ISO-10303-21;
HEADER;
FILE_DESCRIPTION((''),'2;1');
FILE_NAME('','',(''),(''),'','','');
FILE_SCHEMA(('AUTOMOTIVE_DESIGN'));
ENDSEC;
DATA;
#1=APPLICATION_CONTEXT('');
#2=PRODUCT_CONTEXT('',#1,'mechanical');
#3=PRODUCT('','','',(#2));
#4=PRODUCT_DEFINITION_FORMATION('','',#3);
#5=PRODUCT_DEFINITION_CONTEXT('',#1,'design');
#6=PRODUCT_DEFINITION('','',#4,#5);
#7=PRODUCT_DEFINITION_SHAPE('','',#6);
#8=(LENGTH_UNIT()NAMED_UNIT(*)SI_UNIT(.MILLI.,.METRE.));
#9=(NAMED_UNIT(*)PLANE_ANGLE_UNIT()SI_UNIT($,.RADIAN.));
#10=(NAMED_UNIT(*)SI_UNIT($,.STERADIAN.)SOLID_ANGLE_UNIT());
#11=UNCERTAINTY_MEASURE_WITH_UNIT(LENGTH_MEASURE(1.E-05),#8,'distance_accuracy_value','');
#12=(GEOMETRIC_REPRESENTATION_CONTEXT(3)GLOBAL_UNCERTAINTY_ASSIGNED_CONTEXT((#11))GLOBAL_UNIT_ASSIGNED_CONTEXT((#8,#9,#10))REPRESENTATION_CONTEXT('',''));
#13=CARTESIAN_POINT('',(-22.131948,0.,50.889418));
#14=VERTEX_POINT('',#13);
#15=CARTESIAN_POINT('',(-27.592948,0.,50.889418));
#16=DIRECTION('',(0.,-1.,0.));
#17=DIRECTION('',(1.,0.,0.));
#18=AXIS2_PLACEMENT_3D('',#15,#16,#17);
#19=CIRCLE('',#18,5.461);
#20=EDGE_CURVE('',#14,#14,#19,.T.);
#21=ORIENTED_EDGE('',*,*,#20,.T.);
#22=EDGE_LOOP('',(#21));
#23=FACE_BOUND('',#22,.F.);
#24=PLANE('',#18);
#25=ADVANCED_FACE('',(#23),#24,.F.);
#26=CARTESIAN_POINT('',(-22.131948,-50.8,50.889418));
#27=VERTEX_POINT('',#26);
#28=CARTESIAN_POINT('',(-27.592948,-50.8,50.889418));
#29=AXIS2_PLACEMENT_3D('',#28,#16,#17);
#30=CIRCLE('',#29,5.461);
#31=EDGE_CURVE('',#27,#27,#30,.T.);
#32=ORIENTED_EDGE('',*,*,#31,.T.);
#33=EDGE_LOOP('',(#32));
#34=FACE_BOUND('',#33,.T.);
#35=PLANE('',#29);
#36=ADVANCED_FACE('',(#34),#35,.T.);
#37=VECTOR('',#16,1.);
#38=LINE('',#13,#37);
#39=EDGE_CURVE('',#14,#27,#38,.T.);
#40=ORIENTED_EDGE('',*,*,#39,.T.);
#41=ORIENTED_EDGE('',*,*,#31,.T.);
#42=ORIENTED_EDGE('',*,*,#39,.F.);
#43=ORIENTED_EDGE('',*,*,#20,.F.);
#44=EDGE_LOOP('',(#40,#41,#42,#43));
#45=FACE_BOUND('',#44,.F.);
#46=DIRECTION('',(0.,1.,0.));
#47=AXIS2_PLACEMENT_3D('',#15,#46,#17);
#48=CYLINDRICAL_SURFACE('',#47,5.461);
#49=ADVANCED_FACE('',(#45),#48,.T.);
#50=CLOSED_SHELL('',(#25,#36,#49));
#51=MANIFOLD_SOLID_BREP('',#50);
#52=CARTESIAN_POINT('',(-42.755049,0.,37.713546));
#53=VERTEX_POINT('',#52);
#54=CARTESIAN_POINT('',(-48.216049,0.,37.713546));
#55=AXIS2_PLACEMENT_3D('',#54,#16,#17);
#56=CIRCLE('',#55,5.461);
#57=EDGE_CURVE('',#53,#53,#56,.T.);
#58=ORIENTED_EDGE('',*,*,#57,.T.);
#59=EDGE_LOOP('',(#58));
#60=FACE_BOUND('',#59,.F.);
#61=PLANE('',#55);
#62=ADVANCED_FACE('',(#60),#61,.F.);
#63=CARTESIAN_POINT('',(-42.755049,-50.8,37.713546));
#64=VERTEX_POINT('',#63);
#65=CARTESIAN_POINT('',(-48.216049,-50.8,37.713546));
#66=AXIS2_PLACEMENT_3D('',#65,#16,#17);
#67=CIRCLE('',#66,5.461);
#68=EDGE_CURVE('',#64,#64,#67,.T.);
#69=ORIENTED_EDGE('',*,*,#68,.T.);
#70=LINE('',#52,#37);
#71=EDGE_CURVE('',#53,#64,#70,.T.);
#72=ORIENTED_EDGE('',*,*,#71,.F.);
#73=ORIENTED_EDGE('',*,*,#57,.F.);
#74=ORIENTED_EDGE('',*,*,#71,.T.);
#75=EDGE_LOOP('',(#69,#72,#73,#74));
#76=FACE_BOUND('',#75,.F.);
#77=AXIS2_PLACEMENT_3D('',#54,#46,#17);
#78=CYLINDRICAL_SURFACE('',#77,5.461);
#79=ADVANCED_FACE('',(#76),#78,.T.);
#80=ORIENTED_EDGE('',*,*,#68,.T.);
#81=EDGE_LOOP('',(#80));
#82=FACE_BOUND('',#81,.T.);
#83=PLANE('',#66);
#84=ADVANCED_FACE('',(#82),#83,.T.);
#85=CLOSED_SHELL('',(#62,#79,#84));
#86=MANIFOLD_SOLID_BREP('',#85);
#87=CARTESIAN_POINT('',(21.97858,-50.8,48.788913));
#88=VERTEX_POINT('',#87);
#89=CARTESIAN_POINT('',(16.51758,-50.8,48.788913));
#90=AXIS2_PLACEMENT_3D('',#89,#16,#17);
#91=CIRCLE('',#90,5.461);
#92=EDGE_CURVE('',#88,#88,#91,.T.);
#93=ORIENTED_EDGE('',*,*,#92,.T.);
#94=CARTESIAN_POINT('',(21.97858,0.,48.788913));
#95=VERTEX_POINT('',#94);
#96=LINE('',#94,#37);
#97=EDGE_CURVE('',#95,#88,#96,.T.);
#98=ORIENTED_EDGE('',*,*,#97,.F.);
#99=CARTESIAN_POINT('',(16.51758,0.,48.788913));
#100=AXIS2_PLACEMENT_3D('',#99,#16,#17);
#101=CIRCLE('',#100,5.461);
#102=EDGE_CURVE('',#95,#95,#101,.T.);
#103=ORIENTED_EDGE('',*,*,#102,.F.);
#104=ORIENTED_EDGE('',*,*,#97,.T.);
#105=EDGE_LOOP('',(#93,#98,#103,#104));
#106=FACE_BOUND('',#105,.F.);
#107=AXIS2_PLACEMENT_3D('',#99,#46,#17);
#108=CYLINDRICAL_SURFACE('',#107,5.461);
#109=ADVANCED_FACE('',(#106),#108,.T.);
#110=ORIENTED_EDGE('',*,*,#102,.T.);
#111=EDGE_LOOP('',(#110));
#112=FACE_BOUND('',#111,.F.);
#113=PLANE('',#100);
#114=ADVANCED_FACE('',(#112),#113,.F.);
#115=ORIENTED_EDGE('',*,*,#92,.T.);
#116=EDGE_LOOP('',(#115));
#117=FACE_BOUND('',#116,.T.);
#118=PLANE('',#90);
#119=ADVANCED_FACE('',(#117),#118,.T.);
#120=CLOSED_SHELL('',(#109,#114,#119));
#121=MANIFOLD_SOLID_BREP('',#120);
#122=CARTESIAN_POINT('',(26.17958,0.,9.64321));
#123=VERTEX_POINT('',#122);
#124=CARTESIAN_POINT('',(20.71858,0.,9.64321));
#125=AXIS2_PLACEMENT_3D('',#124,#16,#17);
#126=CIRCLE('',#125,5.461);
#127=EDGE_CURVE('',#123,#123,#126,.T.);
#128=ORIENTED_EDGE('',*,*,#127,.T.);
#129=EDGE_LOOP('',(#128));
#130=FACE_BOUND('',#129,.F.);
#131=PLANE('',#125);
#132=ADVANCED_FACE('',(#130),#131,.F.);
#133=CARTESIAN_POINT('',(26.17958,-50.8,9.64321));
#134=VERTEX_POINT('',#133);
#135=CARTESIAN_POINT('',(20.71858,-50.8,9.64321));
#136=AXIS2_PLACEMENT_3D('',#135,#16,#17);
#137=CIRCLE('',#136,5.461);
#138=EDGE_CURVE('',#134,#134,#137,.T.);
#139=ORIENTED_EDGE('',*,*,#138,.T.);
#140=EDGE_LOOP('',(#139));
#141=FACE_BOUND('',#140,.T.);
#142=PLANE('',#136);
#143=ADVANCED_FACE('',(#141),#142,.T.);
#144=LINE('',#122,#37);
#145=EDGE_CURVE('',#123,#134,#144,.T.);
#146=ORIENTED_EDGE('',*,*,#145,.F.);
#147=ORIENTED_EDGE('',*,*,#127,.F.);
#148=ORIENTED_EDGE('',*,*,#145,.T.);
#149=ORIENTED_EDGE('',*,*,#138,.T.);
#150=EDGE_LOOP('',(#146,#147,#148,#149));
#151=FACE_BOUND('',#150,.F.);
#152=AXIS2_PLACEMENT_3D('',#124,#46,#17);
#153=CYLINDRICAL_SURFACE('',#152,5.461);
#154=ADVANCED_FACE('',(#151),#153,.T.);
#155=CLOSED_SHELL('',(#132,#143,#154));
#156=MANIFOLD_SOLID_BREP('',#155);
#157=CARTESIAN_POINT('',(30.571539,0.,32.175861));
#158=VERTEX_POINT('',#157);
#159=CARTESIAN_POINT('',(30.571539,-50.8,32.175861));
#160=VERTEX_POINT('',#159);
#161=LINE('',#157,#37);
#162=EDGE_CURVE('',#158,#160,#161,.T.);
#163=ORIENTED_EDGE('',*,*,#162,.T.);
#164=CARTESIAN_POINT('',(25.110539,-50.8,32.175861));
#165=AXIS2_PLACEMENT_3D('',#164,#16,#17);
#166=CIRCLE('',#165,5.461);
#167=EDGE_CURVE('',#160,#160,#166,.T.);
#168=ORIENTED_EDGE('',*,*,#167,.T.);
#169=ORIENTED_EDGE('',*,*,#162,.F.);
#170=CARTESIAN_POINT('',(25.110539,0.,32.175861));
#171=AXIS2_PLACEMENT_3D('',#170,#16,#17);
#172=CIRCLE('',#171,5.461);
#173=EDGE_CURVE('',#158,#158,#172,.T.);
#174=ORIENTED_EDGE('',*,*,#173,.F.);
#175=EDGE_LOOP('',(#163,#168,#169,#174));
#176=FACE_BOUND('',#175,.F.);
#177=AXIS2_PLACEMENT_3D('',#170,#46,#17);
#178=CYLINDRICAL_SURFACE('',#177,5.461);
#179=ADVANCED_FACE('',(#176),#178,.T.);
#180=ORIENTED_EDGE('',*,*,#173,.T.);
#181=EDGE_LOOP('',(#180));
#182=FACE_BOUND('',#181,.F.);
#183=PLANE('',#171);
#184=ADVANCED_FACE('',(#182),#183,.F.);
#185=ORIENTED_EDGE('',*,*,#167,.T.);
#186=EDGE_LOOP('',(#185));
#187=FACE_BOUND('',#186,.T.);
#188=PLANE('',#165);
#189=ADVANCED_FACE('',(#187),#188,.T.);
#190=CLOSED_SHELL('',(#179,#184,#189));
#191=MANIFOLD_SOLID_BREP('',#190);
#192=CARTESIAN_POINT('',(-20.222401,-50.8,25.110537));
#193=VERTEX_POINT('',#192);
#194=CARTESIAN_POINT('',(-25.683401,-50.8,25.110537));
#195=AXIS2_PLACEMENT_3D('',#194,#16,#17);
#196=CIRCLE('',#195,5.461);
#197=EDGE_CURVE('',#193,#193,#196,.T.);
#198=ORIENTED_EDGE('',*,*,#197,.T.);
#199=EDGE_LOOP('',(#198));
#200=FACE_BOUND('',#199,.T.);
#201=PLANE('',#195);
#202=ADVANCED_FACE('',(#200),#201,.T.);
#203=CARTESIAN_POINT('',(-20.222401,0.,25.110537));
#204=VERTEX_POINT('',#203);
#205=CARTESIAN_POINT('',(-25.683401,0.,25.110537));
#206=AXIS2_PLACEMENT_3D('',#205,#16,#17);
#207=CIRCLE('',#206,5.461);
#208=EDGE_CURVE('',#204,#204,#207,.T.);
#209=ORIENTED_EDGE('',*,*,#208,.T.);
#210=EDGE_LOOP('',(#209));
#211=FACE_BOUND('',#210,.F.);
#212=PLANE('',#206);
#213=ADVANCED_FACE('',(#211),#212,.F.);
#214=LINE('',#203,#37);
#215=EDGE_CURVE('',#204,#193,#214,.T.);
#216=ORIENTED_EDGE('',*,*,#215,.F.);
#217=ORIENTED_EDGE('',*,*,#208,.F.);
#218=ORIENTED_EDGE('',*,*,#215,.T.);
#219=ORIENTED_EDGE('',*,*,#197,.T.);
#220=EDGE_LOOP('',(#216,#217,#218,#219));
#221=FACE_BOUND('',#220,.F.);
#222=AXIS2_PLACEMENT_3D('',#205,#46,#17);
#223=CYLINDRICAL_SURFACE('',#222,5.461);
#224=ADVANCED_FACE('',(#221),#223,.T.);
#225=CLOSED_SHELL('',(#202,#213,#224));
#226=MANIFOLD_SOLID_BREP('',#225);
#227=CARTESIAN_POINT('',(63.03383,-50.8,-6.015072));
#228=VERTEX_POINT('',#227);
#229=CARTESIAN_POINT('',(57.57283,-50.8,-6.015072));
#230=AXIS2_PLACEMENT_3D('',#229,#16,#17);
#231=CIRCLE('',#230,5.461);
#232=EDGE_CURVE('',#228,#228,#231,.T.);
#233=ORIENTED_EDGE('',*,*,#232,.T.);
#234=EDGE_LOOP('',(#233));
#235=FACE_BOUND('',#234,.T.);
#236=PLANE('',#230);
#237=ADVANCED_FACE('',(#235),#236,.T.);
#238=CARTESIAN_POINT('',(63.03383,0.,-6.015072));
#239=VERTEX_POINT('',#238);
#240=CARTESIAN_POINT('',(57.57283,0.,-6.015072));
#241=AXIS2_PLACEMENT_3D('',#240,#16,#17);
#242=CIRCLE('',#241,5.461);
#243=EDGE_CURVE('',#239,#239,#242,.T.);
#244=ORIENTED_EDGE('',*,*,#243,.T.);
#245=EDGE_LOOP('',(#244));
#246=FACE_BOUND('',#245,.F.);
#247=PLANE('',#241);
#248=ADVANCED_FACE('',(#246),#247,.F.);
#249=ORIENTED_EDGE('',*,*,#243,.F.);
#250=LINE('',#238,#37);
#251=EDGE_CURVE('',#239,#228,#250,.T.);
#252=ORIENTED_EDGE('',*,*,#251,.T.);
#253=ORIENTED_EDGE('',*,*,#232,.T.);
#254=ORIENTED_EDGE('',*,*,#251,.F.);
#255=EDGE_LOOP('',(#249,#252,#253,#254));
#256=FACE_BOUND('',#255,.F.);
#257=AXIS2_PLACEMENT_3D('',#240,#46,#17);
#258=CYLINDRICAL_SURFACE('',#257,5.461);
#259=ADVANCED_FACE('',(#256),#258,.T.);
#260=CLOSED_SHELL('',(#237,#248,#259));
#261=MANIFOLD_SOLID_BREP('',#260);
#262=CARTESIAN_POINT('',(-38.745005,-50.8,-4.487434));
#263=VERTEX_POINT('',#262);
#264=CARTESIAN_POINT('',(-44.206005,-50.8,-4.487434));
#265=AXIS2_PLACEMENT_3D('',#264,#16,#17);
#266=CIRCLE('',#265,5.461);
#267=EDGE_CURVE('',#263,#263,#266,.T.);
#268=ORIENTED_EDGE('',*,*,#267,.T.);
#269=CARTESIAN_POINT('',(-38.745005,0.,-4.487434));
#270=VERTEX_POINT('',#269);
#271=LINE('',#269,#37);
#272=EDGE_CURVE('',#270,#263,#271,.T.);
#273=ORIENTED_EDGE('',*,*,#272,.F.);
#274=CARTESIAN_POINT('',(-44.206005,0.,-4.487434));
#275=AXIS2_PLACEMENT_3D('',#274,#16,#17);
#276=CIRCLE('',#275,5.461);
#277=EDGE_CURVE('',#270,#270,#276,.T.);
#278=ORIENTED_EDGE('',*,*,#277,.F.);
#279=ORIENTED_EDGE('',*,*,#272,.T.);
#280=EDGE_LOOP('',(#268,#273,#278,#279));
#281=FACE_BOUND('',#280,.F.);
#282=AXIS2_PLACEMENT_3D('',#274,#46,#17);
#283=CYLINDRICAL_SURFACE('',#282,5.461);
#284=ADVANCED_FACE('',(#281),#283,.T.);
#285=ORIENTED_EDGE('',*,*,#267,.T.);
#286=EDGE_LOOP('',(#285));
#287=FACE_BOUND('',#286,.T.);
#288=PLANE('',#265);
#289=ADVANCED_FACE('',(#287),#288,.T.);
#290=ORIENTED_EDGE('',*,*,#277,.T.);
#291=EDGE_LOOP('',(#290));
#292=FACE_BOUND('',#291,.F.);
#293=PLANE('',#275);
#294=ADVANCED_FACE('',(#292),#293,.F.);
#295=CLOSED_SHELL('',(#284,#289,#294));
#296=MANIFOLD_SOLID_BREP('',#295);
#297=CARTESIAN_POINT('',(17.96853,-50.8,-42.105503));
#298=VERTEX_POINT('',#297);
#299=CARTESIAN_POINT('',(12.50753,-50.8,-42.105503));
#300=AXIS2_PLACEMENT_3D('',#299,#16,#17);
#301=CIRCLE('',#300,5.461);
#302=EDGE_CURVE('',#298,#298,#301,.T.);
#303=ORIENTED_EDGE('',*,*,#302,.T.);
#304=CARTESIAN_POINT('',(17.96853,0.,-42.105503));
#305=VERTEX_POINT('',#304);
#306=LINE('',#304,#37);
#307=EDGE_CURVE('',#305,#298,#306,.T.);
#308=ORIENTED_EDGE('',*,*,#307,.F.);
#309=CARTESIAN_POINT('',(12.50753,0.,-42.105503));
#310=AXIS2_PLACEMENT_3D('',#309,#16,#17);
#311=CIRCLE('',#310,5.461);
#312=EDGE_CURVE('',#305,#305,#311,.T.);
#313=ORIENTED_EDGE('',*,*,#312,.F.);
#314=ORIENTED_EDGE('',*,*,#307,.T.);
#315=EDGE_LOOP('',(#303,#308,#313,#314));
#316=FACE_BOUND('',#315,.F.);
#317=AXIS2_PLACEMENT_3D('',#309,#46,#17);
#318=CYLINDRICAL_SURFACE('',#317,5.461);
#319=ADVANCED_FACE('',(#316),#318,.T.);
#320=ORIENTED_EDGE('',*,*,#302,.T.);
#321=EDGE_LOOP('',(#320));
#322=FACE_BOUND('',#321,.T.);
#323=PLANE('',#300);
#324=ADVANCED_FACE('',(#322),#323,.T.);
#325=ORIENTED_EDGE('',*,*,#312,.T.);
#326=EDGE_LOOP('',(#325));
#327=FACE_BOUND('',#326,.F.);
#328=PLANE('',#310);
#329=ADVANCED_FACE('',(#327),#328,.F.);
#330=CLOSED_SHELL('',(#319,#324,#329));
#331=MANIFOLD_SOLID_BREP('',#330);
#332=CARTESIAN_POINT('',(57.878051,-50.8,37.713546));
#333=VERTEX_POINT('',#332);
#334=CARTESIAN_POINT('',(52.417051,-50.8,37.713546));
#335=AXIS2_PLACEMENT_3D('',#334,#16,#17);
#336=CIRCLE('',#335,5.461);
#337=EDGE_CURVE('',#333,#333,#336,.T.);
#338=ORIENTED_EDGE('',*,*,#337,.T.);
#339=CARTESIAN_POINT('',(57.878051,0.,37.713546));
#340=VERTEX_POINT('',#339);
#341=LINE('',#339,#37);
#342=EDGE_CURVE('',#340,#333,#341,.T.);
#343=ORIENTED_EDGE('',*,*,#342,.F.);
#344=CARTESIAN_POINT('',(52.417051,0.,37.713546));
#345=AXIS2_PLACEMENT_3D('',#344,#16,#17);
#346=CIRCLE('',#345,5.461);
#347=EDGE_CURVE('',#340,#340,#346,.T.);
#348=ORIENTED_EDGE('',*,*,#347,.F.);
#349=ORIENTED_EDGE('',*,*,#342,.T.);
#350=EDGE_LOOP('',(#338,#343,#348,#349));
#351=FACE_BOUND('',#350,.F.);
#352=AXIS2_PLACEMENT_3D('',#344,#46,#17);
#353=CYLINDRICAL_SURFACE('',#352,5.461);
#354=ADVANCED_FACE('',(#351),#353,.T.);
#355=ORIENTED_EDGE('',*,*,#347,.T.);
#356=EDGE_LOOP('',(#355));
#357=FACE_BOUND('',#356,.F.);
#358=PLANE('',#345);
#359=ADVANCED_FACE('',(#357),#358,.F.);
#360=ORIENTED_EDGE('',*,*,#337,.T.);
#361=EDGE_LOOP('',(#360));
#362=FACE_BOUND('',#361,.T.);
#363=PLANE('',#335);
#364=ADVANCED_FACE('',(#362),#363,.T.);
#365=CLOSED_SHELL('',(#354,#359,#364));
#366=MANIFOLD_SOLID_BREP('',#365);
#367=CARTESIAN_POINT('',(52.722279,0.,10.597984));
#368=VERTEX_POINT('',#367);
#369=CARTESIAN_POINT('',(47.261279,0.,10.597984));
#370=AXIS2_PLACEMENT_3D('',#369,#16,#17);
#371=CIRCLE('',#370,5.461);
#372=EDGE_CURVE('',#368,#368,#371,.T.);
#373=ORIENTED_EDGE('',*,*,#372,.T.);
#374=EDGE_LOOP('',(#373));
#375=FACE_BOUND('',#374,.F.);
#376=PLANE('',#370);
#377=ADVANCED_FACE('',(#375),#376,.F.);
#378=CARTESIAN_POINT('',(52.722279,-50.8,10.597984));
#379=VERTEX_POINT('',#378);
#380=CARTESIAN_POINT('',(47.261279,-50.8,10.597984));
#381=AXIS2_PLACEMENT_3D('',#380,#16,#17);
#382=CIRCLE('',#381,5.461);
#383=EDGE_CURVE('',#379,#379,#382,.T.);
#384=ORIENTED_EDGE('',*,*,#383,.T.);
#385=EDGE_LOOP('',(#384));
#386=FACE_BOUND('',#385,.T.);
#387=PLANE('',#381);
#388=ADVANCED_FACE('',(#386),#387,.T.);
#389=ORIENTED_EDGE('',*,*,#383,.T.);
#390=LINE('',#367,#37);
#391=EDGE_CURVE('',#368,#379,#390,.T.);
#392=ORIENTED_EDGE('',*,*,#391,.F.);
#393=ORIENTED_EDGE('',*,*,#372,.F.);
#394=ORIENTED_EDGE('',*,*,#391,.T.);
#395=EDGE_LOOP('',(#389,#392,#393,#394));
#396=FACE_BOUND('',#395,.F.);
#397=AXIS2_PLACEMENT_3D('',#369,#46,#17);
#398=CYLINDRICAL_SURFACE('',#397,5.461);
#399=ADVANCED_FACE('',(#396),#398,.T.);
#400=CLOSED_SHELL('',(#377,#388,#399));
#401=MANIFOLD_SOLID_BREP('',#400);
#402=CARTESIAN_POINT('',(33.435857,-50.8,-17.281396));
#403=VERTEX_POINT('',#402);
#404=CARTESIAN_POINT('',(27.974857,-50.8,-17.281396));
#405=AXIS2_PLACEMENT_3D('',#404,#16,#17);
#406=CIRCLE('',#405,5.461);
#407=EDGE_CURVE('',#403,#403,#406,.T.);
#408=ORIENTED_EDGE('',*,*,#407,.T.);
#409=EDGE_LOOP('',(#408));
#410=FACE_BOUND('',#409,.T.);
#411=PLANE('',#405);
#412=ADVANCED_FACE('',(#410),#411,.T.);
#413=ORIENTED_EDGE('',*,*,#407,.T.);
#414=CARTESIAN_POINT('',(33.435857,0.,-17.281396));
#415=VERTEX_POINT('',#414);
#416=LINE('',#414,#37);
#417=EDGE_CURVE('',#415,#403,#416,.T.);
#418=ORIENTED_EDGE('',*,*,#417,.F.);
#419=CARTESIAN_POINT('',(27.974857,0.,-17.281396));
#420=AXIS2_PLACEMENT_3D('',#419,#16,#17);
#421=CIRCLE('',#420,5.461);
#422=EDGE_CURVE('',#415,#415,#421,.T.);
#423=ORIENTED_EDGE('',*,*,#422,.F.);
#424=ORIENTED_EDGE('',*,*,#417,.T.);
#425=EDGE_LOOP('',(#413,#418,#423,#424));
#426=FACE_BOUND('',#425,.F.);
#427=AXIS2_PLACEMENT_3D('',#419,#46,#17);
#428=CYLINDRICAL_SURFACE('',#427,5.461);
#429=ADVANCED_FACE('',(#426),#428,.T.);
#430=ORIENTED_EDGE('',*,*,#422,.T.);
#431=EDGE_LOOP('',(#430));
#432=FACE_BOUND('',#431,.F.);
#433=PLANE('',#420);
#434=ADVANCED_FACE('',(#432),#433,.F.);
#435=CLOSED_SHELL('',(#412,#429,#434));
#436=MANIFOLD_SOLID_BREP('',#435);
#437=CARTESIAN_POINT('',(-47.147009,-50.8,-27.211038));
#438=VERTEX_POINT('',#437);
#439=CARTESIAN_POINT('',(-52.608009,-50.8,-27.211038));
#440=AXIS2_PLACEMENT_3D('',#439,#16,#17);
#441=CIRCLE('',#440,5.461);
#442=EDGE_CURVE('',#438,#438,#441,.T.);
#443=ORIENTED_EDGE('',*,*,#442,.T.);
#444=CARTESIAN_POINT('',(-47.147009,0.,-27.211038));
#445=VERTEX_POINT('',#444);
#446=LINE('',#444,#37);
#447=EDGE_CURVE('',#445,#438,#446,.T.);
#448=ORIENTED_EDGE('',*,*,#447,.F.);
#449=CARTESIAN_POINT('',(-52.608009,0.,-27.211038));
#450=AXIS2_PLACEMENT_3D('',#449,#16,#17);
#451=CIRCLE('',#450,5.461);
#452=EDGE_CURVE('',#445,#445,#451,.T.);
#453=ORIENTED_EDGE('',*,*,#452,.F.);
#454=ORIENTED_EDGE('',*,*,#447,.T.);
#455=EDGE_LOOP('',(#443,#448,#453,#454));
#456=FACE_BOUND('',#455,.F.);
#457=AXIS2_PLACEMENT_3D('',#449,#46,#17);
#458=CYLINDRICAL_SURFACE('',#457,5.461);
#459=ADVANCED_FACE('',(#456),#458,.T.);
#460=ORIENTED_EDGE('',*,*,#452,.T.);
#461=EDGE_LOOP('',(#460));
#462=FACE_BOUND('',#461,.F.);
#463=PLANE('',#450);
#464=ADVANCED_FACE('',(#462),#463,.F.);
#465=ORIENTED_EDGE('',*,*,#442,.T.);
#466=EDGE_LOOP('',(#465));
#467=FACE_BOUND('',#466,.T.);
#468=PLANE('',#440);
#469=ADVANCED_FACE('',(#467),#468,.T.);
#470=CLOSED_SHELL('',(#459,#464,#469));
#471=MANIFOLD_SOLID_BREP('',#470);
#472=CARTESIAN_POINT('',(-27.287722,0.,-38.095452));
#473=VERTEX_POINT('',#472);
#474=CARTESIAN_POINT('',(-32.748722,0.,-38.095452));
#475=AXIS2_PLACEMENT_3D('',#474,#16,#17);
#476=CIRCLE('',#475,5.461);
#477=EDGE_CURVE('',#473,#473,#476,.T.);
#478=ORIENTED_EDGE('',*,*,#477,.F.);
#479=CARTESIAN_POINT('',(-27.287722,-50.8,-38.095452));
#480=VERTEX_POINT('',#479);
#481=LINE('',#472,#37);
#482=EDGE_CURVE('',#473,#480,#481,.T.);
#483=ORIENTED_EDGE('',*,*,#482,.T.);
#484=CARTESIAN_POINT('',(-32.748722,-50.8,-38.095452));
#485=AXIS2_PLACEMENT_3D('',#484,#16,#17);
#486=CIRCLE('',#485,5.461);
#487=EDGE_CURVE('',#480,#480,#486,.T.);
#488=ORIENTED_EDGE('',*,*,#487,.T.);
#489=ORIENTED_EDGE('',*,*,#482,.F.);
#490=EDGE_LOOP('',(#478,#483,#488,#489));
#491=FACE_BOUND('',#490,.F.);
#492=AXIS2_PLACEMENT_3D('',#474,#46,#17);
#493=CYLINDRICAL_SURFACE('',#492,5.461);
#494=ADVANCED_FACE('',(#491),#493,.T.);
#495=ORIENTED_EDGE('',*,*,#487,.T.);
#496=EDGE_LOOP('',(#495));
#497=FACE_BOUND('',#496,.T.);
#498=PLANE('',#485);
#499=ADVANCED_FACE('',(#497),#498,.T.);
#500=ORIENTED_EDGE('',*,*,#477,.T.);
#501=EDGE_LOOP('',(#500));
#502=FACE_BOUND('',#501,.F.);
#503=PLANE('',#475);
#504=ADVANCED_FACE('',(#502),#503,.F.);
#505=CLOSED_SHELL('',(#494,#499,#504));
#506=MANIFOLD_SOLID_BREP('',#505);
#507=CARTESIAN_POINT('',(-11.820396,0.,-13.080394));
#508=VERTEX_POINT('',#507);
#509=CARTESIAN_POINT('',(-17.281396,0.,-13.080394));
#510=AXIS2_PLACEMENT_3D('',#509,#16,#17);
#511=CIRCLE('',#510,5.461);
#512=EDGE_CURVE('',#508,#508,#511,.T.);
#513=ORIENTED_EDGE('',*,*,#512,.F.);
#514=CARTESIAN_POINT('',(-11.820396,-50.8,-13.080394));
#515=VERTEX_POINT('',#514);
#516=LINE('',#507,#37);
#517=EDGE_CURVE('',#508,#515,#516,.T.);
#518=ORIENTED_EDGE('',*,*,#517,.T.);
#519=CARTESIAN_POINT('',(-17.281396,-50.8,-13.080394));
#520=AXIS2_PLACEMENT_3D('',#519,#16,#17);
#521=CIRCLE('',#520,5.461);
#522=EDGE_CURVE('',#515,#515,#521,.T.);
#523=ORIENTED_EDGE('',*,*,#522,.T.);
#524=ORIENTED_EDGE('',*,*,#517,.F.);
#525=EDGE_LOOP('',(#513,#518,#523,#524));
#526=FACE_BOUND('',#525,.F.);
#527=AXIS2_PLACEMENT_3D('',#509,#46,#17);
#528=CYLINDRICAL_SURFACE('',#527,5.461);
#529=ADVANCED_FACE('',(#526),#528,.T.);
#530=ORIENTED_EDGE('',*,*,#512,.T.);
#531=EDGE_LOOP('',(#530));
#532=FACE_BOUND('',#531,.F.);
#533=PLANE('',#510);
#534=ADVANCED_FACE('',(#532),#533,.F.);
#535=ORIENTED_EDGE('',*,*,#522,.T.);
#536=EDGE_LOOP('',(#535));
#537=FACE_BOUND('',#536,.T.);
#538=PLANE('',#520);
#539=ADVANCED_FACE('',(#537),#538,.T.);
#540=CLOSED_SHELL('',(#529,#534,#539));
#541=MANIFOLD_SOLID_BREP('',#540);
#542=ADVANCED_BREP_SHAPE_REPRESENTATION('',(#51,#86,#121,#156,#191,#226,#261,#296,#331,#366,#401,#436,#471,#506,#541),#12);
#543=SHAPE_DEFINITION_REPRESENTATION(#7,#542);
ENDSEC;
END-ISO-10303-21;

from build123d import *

# Parameters (mm, degrees)
F0_R     = 5.461
F1_DEPTH = 50.8


with BuildPart() as f1:
    # F0 (on Front) → F1 (new body)
    with BuildSketch(Plane.XZ):
        with Locations((25.110539, 32.175861)):
            Circle(F0_R)
        with Locations((16.51758, 48.788913)):
            Circle(F0_R)
        with Locations((-27.592948, 50.889418)):
            Circle(F0_R)
        with Locations((-25.683401, 25.110537)):
            Circle(F0_R)
        with Locations((-48.216049, 37.713546)):
            Circle(F0_R)
        with Locations((-17.281396, -13.080394)):
            Circle(F0_R)
        with Locations((-44.206005, -4.487434)):
            Circle(F0_R)
        with Locations((-32.748722, -38.095452)):
            Circle(F0_R)
        with Locations((-52.608009, -27.211038)):
            Circle(F0_R)
        with Locations((12.50753, -42.105503)):
            Circle(F0_R)
        with Locations((27.974857, -17.281396)):
            Circle(F0_R)
        with Locations((20.71858, 9.64321)):
            Circle(F0_R)
        with Locations((47.261279, 10.597984)):
            Circle(F0_R)
        with Locations((52.417051, 37.713546)):
            Circle(F0_R)
        with Locations((57.57283, -6.015072)):
            Circle(F0_R)
    extrude(amount=F1_DEPTH)


solid = f1.part
